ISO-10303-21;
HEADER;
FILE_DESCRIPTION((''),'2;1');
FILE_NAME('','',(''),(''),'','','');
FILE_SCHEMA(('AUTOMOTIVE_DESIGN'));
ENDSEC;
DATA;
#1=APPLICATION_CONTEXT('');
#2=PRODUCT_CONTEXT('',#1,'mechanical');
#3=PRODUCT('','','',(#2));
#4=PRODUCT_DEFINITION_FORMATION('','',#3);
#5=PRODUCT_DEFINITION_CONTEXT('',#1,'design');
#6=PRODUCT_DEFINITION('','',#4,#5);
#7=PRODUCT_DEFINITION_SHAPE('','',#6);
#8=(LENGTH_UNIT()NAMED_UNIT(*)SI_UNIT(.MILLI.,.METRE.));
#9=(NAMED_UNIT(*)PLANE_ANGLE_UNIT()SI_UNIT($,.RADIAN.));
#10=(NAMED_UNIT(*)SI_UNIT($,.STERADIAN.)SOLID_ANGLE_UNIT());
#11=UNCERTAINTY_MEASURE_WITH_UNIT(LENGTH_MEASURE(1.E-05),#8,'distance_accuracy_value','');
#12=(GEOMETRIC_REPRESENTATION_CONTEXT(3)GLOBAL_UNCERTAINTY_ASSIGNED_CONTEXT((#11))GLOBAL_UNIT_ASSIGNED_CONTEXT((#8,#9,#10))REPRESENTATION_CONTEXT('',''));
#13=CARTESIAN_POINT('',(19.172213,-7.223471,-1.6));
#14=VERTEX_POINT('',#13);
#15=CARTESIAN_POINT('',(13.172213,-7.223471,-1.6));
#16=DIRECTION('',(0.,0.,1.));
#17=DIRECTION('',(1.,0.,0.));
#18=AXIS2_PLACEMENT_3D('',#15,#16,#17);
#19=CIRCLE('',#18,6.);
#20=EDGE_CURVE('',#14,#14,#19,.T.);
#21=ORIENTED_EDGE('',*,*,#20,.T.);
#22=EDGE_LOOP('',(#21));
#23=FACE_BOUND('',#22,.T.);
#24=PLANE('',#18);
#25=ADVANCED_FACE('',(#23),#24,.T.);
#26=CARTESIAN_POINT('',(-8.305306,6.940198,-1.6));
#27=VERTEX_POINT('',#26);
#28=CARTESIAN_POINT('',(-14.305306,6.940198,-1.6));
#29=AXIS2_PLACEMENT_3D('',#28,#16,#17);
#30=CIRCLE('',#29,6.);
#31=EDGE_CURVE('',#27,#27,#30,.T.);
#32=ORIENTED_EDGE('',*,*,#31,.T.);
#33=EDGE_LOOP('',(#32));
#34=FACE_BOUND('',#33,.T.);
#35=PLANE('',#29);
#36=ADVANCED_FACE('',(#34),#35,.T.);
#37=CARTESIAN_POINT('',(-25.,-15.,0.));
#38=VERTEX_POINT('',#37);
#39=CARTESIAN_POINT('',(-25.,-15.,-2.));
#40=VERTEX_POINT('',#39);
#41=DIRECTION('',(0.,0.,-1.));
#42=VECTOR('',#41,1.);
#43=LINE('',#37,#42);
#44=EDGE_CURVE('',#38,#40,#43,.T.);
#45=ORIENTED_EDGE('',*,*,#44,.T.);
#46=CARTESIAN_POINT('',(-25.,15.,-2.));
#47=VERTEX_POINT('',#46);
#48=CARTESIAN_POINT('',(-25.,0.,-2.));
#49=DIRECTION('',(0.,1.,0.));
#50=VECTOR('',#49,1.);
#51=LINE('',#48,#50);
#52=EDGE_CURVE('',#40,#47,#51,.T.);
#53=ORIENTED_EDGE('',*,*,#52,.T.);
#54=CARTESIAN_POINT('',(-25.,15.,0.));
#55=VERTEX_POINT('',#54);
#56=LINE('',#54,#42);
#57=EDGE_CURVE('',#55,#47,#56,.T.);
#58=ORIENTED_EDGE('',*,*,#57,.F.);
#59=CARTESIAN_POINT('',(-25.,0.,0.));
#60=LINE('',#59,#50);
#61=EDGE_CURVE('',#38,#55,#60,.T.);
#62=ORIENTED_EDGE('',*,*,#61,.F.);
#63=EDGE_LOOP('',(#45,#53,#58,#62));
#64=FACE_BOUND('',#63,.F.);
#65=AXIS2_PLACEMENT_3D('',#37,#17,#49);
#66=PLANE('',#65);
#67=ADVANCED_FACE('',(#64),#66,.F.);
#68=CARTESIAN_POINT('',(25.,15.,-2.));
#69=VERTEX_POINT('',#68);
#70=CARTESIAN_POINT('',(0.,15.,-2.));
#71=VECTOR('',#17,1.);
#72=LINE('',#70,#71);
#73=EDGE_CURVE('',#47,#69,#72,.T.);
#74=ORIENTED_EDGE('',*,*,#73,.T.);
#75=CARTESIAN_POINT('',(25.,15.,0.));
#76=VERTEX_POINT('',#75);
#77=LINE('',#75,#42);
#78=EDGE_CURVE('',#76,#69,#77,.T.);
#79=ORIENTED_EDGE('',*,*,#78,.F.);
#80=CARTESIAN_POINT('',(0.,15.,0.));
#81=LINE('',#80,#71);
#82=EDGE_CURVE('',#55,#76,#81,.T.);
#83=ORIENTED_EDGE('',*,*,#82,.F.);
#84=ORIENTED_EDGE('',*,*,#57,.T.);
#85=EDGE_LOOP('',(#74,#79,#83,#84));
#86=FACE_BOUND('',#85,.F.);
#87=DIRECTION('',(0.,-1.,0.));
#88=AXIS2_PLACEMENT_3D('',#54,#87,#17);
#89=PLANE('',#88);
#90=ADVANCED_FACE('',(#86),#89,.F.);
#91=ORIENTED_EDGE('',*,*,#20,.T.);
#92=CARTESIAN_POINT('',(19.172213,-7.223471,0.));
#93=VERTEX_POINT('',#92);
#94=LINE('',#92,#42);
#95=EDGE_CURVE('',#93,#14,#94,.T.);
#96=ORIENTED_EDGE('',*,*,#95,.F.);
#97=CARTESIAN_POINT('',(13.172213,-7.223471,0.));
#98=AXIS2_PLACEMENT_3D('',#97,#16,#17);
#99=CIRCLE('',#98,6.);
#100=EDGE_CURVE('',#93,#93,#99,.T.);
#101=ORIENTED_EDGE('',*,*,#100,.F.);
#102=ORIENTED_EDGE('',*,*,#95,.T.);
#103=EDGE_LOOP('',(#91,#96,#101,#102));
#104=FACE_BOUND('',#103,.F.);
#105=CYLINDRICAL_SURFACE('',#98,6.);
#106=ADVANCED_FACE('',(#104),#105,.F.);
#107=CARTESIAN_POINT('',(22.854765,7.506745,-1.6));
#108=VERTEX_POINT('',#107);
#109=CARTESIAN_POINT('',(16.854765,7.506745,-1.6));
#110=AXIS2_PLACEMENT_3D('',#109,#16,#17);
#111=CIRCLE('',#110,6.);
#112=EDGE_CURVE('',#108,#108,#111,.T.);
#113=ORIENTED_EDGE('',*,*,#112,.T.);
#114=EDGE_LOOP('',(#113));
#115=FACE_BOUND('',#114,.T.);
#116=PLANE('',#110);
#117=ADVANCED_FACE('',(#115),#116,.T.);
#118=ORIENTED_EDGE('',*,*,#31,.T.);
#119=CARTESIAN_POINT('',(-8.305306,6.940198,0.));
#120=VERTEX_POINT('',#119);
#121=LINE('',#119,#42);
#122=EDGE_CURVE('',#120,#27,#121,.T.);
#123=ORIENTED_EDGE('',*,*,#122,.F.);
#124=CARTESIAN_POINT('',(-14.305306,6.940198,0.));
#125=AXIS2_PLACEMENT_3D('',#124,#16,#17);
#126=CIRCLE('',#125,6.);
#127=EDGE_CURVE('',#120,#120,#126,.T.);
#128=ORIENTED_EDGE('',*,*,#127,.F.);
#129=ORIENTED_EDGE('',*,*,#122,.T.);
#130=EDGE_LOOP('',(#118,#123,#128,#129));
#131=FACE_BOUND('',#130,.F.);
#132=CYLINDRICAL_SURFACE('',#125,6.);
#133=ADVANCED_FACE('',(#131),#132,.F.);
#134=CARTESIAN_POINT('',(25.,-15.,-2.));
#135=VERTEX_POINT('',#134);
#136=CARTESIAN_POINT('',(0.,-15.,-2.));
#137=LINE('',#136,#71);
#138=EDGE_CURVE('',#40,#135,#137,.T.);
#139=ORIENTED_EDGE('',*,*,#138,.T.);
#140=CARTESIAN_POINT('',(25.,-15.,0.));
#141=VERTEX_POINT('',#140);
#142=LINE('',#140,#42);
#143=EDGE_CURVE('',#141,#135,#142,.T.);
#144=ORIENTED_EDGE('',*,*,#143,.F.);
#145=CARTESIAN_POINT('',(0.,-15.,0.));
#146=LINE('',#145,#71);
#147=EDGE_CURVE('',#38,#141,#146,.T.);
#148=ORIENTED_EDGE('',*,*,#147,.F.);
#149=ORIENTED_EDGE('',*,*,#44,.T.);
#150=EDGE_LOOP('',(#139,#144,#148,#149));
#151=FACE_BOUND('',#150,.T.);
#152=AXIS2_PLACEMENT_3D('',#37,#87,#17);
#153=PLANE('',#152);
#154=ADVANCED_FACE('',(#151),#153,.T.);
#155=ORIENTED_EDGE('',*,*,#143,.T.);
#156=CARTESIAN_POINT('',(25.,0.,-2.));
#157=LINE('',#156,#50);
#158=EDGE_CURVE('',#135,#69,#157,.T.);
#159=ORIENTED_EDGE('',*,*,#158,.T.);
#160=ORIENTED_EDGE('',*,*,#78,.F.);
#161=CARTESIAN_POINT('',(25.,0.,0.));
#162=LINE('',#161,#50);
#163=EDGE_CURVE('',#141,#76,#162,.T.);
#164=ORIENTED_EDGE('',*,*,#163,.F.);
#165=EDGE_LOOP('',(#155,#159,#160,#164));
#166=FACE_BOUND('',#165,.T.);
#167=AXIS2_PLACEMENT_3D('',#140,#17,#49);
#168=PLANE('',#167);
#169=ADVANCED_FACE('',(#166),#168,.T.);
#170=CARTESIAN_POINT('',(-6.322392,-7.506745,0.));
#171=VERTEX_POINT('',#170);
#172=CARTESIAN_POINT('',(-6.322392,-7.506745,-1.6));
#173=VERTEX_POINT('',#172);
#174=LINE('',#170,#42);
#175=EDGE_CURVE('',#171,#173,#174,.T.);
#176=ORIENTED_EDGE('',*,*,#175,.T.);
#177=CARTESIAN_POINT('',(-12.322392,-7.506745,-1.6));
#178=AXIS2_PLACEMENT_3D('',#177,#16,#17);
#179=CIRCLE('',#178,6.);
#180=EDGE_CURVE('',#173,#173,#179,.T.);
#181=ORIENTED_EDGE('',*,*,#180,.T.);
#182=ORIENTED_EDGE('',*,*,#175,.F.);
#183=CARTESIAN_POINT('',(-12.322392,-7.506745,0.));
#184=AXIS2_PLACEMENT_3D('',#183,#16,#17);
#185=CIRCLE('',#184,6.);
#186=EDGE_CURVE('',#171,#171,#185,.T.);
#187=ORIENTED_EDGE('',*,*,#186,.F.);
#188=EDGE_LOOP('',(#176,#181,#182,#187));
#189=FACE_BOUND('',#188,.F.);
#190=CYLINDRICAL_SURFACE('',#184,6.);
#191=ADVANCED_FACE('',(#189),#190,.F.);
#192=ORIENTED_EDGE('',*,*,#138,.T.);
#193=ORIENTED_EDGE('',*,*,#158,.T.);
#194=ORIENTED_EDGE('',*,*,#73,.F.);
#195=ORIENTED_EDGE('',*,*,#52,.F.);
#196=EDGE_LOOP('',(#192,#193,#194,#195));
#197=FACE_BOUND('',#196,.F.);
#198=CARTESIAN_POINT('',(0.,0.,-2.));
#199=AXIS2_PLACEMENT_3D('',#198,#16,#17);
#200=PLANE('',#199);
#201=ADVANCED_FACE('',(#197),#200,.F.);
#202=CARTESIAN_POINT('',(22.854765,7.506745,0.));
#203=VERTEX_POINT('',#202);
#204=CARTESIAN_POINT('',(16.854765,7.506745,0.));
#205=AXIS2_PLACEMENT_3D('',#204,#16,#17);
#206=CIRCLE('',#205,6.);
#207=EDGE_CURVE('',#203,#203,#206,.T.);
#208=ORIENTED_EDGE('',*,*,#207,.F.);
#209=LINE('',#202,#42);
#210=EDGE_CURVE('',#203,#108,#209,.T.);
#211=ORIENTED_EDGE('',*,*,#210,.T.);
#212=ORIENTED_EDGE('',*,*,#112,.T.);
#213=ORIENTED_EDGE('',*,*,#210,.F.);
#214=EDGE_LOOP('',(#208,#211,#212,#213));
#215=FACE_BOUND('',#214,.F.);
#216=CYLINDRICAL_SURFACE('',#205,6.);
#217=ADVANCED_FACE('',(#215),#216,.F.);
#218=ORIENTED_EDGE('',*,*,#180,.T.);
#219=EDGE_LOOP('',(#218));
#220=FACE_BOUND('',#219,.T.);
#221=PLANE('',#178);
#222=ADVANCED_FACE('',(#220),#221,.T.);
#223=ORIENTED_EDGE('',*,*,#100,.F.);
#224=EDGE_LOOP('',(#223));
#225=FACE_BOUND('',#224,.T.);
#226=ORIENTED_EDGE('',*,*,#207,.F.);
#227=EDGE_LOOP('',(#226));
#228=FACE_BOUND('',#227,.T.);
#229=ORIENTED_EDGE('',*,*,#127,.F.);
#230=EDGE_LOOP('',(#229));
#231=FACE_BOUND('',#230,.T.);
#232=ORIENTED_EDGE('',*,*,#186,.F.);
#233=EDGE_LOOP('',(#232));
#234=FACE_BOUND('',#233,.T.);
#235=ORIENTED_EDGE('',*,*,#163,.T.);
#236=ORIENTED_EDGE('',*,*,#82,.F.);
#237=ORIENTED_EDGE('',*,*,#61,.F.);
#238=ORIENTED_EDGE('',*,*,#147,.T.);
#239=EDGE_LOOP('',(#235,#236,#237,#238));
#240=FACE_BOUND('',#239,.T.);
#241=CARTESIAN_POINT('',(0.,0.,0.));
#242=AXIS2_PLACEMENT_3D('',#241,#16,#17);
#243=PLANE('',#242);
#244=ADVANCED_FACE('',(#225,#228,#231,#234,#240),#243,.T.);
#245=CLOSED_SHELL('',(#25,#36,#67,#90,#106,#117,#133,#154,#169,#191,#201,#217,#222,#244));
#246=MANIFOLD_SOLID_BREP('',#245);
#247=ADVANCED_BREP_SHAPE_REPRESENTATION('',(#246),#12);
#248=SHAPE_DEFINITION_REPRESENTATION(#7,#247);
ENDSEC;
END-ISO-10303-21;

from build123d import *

# Parameters (mm, degrees)
F0_W     = 50
F0_H     = 30
F1_DEPTH = 2
F2_R     = 6
F3_DEPTH = 1.6


with BuildPart() as f1:
    # F0 (on Top) → F1 (new body)
    with BuildSketch(Plane.XY):
        Rectangle(F0_W, F0_H)
    extrude(amount=-F1_DEPTH)

    # F2 (on Top) → F3 (cut)
    with BuildSketch(Plane.XY):
        with Locations((-14.305306, 6.940198)):
            Circle(F2_R)
        with Locations((-12.322392, -7.506745)):
            Circle(F2_R)
        with Locations((13.172213, -7.223471)):
            Circle(F2_R)
        with Locations((16.854765, 7.506745)):
            Circle(F2_R)
    extrude(amount=-F3_DEPTH, mode=Mode.SUBTRACT)


solid = f1.part
